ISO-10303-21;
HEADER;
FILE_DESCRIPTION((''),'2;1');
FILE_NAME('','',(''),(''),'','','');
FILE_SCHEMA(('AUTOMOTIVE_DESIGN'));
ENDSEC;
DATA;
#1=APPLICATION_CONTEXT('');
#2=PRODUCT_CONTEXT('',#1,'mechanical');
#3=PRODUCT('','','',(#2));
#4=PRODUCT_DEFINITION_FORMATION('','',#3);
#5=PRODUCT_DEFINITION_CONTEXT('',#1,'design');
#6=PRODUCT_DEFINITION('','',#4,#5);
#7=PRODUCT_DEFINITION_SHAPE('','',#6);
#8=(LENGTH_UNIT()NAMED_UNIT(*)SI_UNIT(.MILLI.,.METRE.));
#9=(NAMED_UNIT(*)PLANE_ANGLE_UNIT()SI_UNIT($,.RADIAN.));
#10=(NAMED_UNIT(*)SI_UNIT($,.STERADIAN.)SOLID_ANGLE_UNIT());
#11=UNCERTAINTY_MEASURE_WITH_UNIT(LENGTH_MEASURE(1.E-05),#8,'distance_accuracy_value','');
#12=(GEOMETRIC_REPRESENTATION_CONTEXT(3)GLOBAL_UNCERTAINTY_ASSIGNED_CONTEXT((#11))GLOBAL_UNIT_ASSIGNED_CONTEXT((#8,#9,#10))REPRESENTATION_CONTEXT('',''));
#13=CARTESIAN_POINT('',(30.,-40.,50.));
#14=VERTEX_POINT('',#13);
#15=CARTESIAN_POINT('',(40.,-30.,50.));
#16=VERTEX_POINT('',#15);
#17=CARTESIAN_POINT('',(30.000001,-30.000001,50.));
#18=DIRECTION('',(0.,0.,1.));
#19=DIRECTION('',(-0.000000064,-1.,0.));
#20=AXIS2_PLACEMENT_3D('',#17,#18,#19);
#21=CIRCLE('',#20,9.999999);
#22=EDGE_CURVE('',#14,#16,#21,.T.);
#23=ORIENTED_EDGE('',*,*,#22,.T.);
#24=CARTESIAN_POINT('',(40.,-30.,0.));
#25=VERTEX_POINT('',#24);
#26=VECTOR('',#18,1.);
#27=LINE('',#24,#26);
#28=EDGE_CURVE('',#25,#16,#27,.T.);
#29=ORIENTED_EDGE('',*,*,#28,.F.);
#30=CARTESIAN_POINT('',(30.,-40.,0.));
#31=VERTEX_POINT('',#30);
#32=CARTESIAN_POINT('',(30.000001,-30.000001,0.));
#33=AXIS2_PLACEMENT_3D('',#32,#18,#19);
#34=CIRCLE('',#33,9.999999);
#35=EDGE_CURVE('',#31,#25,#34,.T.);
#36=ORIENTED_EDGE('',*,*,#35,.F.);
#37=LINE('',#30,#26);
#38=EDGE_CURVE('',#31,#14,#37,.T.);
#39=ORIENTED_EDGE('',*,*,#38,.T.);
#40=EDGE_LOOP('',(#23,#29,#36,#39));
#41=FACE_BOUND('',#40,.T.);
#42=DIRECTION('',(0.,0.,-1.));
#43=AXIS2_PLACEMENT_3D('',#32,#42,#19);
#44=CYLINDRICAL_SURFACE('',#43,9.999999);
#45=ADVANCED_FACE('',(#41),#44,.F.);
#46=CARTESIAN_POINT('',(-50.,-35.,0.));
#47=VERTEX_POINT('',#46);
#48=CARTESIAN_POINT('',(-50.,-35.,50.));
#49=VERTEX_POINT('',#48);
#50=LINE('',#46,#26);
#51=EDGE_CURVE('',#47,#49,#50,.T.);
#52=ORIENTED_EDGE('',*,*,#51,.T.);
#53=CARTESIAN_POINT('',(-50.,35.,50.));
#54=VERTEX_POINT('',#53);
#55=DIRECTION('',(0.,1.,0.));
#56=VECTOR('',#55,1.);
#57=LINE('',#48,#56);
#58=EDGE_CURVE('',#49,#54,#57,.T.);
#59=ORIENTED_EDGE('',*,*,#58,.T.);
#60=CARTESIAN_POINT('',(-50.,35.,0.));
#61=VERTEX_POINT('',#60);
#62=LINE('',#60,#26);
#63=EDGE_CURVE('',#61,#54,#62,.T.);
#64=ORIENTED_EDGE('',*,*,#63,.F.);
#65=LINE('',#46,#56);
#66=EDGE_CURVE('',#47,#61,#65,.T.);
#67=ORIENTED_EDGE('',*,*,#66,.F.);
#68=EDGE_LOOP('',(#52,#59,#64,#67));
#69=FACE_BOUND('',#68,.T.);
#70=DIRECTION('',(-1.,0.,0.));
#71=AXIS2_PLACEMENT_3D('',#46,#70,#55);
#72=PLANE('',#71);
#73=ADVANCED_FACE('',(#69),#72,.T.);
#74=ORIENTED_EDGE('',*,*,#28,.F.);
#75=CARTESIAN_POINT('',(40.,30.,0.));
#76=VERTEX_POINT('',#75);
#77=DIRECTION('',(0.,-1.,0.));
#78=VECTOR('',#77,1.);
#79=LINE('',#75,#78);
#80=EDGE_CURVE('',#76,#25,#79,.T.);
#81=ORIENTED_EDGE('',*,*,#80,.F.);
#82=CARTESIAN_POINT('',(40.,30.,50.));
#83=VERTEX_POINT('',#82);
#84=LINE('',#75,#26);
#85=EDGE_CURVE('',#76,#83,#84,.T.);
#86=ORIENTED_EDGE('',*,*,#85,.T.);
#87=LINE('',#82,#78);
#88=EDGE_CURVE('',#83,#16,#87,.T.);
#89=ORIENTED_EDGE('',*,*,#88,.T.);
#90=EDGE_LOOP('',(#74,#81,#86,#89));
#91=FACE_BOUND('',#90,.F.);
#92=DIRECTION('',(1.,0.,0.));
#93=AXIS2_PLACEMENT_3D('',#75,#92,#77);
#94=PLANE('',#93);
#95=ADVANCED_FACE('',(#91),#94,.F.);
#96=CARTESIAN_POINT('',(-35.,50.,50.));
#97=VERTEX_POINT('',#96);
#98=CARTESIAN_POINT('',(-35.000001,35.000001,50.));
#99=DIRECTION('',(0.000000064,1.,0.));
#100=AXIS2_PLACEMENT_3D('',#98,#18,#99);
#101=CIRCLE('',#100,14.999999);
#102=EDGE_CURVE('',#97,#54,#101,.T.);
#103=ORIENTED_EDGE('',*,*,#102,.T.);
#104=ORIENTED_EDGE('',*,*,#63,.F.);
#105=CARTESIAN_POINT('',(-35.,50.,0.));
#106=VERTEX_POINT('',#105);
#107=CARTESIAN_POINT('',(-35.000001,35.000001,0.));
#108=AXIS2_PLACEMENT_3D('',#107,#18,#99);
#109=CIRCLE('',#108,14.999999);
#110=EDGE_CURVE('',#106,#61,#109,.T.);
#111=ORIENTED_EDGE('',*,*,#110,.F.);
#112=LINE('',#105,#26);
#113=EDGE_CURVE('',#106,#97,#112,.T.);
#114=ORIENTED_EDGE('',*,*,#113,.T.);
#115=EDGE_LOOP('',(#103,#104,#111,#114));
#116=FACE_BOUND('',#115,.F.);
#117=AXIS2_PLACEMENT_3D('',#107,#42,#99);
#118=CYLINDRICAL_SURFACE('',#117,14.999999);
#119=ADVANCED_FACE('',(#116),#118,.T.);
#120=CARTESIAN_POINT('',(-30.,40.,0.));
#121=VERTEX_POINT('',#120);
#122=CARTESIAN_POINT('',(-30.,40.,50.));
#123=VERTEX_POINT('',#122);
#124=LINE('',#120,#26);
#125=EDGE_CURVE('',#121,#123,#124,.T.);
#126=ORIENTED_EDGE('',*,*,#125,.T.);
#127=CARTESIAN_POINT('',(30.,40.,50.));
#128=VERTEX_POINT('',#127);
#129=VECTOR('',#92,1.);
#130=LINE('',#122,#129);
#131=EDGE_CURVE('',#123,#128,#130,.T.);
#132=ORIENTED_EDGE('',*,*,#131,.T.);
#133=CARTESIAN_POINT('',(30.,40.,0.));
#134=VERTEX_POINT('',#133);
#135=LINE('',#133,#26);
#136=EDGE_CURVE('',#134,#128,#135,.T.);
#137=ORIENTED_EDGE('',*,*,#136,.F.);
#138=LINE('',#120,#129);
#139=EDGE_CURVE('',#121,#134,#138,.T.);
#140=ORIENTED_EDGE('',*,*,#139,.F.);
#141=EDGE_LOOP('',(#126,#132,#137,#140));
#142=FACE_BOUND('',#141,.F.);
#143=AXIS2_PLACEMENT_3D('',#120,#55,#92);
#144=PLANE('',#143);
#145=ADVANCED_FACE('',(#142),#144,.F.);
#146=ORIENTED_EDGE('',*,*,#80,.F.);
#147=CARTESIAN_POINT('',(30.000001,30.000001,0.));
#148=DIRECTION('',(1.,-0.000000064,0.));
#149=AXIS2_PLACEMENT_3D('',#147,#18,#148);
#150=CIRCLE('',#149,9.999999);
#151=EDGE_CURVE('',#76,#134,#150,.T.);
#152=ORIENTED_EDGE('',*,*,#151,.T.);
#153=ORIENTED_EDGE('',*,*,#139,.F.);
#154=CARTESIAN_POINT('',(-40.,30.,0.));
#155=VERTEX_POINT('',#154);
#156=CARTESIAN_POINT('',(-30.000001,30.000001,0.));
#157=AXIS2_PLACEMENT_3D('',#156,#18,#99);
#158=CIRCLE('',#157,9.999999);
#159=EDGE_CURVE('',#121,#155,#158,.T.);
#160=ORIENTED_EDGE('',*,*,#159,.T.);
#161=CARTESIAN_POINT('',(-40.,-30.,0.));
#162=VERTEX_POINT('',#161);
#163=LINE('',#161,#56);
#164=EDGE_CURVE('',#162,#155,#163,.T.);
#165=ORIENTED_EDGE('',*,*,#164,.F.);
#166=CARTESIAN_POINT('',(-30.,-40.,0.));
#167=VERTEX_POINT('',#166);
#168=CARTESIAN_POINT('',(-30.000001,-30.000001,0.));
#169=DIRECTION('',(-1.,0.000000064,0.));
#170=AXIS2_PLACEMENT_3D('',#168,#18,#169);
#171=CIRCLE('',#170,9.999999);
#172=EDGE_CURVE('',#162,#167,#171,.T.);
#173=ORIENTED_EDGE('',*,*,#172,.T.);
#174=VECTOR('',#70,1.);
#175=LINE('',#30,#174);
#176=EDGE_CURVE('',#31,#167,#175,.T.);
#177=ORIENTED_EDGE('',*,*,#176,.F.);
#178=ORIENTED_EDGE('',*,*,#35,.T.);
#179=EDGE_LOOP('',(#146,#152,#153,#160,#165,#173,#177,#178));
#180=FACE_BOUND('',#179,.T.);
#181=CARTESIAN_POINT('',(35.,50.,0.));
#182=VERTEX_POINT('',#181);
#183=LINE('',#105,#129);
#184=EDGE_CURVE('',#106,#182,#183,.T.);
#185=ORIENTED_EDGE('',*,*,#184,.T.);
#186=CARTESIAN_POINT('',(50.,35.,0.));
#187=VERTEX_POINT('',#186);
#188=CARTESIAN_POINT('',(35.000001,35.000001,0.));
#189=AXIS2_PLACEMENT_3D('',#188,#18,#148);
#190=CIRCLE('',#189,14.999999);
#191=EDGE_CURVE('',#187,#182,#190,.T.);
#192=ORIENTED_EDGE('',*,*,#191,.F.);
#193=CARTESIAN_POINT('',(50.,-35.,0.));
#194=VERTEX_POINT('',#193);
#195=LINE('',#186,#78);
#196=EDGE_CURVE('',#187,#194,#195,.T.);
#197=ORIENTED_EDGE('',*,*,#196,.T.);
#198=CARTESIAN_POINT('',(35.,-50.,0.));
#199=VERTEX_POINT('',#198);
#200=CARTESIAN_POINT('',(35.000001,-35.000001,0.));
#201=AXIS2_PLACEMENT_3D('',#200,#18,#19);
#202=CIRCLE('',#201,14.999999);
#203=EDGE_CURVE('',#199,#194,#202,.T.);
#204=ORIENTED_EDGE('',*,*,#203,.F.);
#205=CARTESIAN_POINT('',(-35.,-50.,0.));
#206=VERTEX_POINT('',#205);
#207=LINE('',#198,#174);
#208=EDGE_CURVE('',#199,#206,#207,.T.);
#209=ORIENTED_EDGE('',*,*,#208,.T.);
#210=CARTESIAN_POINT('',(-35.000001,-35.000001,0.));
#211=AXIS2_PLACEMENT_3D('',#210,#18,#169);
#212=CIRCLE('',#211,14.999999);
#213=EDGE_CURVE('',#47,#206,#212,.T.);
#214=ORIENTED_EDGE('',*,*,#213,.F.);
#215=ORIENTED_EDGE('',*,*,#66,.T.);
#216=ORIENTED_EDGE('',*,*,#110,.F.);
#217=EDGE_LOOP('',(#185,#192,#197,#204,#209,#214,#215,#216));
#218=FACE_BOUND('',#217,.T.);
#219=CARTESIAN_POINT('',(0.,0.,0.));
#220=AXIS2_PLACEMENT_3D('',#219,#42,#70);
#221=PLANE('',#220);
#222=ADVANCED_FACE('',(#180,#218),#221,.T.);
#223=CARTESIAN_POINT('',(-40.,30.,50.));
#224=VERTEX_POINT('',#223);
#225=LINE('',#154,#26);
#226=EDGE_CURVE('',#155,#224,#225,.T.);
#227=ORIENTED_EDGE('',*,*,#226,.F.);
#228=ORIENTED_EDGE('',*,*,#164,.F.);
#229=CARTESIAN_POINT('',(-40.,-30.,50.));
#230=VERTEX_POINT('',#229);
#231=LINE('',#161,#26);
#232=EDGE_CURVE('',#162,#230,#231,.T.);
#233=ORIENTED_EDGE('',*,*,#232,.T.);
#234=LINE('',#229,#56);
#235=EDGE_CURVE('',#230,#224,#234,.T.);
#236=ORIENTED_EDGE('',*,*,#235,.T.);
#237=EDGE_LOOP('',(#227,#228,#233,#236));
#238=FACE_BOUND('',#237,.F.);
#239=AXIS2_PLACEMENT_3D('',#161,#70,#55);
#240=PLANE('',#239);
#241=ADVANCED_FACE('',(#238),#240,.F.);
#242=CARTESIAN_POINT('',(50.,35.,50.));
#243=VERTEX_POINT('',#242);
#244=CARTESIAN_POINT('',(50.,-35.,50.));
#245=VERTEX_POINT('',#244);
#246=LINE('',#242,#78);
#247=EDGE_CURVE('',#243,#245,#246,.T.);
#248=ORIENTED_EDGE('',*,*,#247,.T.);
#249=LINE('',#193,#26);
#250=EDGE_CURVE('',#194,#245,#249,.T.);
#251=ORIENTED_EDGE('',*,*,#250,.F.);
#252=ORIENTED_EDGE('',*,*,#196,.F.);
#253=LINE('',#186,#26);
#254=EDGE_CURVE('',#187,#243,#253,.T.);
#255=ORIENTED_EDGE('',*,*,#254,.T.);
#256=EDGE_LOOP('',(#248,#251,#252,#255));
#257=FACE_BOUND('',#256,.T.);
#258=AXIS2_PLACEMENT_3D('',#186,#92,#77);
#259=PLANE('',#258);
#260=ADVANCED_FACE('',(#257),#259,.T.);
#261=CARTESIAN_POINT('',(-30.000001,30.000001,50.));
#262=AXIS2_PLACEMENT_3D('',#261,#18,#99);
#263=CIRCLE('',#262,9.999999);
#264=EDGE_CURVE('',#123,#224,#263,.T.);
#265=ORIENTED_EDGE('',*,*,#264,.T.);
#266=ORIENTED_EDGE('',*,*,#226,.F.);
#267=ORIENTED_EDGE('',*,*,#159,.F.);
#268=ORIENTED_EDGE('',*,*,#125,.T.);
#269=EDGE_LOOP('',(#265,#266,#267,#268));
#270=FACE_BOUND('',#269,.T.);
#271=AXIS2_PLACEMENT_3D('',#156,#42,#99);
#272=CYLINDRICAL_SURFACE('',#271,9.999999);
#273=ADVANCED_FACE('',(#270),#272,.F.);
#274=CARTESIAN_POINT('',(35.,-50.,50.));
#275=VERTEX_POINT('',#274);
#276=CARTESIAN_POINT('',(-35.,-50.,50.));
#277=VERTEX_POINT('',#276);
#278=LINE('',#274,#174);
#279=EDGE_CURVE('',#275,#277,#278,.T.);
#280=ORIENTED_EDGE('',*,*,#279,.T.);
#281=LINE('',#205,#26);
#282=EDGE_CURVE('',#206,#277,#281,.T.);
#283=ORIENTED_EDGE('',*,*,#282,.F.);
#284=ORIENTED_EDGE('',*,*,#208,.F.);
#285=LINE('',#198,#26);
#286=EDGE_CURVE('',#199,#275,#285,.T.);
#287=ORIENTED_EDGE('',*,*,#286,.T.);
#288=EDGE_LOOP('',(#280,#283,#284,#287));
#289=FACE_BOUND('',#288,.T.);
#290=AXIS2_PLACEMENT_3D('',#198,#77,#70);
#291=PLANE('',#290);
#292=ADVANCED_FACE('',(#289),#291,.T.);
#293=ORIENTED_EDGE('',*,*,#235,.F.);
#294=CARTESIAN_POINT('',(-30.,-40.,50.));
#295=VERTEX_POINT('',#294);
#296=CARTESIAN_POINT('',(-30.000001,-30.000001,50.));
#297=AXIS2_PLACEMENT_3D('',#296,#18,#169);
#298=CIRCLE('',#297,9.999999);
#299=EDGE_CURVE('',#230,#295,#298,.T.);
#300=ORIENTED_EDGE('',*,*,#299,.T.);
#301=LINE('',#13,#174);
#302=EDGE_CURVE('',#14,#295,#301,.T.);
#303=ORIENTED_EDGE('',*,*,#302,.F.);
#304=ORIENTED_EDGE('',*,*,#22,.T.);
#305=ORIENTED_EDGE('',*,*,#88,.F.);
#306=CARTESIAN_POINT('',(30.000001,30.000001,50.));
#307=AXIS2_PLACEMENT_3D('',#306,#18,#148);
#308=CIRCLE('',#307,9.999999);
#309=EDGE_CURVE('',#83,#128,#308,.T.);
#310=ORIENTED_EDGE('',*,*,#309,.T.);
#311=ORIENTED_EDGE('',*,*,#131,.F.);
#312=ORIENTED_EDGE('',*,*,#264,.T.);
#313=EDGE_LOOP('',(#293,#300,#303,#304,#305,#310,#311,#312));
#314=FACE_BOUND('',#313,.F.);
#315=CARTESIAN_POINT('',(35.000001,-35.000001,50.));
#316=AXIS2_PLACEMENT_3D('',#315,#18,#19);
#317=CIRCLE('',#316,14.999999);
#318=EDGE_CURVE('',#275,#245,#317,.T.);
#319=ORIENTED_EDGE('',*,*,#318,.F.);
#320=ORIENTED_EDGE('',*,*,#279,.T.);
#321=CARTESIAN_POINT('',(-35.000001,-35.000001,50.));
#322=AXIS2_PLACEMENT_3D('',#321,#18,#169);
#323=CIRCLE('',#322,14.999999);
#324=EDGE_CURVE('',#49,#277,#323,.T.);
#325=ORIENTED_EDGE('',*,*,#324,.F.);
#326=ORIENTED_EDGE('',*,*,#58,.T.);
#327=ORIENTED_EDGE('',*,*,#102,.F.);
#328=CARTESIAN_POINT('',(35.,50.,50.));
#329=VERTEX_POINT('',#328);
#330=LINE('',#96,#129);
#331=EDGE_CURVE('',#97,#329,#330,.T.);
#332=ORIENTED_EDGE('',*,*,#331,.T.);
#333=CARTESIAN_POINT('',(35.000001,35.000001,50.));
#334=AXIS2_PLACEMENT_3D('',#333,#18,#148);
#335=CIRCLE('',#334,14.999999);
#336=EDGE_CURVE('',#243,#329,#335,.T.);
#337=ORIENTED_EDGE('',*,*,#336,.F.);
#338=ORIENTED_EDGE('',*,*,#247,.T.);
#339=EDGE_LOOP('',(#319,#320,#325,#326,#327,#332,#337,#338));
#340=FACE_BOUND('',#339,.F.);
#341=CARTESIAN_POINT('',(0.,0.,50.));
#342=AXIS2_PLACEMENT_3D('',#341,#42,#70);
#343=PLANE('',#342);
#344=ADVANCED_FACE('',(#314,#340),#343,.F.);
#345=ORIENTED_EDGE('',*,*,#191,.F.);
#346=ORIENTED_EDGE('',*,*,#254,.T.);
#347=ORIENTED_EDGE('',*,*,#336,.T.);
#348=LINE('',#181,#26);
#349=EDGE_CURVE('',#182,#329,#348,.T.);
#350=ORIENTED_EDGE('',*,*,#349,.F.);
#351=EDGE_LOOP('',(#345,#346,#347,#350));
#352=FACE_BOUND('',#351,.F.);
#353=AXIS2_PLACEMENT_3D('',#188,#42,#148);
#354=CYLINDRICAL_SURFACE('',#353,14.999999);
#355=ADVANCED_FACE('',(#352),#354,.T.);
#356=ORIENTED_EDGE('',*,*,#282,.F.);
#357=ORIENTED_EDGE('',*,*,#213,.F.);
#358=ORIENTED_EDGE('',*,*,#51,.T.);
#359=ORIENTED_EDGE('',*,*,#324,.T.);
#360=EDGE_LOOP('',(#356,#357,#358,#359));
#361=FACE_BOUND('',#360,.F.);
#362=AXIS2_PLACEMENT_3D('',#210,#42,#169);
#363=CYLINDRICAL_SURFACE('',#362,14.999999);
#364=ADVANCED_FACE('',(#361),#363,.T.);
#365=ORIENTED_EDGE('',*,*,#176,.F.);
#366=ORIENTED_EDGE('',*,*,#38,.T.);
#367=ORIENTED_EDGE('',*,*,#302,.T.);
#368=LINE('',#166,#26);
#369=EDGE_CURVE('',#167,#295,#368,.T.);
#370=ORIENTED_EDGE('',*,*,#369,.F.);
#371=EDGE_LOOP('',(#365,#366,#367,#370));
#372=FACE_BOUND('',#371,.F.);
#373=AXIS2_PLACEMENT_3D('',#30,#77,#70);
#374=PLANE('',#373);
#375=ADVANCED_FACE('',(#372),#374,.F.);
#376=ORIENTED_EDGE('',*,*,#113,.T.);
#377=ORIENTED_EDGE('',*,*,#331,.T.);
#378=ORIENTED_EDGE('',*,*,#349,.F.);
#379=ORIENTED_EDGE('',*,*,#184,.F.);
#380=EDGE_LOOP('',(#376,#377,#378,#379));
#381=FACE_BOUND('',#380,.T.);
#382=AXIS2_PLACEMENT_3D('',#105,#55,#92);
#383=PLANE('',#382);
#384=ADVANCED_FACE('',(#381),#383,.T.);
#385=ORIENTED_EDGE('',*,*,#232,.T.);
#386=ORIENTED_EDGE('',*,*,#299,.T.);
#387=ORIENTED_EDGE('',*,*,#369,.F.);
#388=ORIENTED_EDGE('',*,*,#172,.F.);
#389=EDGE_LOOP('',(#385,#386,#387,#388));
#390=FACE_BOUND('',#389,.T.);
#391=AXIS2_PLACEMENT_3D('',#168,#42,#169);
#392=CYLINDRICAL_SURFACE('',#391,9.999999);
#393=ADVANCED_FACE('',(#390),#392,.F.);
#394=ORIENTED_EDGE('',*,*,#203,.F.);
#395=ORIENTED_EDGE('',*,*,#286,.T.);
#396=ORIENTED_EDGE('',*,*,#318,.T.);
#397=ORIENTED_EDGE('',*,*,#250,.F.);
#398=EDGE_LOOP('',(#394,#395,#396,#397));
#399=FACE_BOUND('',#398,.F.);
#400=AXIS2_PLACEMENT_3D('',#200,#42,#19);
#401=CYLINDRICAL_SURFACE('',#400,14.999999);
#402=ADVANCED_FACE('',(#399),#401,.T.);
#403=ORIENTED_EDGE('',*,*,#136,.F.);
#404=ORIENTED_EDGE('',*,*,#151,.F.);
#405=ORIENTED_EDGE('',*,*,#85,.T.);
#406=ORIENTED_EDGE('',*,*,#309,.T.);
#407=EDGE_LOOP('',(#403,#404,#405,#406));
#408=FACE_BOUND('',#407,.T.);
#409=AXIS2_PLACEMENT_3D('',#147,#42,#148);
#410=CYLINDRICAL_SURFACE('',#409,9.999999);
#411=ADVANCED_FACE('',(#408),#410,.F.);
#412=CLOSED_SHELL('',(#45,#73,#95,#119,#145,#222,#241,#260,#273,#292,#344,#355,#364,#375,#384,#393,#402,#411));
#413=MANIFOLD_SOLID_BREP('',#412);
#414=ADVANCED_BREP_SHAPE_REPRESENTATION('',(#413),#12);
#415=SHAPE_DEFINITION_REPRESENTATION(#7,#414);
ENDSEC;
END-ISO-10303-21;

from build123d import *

# Parameters (mm, degrees)
EXTRUDE_DEPTH = 50


with BuildPart() as part:
    # Sketch → Extrude (new body)
    with BuildSketch(Plane.XY):
        with BuildLine():
            Line((-35, 50), (35, 50))
            ThreePointArc((50, 35), (45.606602, 45.606602), (35, 50))
            Line((50, 35), (50, -35))
            ThreePointArc((35, -50), (45.606602, -45.606602), (50, -35))
            Line((35, -50), (-35, -50))
            ThreePointArc((-50, -35), (-45.606602, -45.606602), (-35, -50))
            Line((-50, -35), (-50, 35))
            ThreePointArc((-35, 50), (-45.606602, 45.606602), (-50, 35))
        make_face()
        with BuildLine():
            Line((-30, 40), (30, 40))
            ThreePointArc((40, 30), (37.071068, 37.071068), (30, 40))
            Line((40, 30), (40, -30))
            ThreePointArc((30, -40), (37.071068, -37.071068), (40, -30))
            Line((30, -40), (-30, -40))
            ThreePointArc((-40, -30), (-37.071068, -37.071068), (-30, -40))
            Line((-40, -30), (-40, 30))
            ThreePointArc((-30, 40), (-37.071068, 37.071068), (-40, 30))
        make_face(mode=Mode.SUBTRACT)
    extrude(amount=EXTRUDE_DEPTH)


solid = part.part
